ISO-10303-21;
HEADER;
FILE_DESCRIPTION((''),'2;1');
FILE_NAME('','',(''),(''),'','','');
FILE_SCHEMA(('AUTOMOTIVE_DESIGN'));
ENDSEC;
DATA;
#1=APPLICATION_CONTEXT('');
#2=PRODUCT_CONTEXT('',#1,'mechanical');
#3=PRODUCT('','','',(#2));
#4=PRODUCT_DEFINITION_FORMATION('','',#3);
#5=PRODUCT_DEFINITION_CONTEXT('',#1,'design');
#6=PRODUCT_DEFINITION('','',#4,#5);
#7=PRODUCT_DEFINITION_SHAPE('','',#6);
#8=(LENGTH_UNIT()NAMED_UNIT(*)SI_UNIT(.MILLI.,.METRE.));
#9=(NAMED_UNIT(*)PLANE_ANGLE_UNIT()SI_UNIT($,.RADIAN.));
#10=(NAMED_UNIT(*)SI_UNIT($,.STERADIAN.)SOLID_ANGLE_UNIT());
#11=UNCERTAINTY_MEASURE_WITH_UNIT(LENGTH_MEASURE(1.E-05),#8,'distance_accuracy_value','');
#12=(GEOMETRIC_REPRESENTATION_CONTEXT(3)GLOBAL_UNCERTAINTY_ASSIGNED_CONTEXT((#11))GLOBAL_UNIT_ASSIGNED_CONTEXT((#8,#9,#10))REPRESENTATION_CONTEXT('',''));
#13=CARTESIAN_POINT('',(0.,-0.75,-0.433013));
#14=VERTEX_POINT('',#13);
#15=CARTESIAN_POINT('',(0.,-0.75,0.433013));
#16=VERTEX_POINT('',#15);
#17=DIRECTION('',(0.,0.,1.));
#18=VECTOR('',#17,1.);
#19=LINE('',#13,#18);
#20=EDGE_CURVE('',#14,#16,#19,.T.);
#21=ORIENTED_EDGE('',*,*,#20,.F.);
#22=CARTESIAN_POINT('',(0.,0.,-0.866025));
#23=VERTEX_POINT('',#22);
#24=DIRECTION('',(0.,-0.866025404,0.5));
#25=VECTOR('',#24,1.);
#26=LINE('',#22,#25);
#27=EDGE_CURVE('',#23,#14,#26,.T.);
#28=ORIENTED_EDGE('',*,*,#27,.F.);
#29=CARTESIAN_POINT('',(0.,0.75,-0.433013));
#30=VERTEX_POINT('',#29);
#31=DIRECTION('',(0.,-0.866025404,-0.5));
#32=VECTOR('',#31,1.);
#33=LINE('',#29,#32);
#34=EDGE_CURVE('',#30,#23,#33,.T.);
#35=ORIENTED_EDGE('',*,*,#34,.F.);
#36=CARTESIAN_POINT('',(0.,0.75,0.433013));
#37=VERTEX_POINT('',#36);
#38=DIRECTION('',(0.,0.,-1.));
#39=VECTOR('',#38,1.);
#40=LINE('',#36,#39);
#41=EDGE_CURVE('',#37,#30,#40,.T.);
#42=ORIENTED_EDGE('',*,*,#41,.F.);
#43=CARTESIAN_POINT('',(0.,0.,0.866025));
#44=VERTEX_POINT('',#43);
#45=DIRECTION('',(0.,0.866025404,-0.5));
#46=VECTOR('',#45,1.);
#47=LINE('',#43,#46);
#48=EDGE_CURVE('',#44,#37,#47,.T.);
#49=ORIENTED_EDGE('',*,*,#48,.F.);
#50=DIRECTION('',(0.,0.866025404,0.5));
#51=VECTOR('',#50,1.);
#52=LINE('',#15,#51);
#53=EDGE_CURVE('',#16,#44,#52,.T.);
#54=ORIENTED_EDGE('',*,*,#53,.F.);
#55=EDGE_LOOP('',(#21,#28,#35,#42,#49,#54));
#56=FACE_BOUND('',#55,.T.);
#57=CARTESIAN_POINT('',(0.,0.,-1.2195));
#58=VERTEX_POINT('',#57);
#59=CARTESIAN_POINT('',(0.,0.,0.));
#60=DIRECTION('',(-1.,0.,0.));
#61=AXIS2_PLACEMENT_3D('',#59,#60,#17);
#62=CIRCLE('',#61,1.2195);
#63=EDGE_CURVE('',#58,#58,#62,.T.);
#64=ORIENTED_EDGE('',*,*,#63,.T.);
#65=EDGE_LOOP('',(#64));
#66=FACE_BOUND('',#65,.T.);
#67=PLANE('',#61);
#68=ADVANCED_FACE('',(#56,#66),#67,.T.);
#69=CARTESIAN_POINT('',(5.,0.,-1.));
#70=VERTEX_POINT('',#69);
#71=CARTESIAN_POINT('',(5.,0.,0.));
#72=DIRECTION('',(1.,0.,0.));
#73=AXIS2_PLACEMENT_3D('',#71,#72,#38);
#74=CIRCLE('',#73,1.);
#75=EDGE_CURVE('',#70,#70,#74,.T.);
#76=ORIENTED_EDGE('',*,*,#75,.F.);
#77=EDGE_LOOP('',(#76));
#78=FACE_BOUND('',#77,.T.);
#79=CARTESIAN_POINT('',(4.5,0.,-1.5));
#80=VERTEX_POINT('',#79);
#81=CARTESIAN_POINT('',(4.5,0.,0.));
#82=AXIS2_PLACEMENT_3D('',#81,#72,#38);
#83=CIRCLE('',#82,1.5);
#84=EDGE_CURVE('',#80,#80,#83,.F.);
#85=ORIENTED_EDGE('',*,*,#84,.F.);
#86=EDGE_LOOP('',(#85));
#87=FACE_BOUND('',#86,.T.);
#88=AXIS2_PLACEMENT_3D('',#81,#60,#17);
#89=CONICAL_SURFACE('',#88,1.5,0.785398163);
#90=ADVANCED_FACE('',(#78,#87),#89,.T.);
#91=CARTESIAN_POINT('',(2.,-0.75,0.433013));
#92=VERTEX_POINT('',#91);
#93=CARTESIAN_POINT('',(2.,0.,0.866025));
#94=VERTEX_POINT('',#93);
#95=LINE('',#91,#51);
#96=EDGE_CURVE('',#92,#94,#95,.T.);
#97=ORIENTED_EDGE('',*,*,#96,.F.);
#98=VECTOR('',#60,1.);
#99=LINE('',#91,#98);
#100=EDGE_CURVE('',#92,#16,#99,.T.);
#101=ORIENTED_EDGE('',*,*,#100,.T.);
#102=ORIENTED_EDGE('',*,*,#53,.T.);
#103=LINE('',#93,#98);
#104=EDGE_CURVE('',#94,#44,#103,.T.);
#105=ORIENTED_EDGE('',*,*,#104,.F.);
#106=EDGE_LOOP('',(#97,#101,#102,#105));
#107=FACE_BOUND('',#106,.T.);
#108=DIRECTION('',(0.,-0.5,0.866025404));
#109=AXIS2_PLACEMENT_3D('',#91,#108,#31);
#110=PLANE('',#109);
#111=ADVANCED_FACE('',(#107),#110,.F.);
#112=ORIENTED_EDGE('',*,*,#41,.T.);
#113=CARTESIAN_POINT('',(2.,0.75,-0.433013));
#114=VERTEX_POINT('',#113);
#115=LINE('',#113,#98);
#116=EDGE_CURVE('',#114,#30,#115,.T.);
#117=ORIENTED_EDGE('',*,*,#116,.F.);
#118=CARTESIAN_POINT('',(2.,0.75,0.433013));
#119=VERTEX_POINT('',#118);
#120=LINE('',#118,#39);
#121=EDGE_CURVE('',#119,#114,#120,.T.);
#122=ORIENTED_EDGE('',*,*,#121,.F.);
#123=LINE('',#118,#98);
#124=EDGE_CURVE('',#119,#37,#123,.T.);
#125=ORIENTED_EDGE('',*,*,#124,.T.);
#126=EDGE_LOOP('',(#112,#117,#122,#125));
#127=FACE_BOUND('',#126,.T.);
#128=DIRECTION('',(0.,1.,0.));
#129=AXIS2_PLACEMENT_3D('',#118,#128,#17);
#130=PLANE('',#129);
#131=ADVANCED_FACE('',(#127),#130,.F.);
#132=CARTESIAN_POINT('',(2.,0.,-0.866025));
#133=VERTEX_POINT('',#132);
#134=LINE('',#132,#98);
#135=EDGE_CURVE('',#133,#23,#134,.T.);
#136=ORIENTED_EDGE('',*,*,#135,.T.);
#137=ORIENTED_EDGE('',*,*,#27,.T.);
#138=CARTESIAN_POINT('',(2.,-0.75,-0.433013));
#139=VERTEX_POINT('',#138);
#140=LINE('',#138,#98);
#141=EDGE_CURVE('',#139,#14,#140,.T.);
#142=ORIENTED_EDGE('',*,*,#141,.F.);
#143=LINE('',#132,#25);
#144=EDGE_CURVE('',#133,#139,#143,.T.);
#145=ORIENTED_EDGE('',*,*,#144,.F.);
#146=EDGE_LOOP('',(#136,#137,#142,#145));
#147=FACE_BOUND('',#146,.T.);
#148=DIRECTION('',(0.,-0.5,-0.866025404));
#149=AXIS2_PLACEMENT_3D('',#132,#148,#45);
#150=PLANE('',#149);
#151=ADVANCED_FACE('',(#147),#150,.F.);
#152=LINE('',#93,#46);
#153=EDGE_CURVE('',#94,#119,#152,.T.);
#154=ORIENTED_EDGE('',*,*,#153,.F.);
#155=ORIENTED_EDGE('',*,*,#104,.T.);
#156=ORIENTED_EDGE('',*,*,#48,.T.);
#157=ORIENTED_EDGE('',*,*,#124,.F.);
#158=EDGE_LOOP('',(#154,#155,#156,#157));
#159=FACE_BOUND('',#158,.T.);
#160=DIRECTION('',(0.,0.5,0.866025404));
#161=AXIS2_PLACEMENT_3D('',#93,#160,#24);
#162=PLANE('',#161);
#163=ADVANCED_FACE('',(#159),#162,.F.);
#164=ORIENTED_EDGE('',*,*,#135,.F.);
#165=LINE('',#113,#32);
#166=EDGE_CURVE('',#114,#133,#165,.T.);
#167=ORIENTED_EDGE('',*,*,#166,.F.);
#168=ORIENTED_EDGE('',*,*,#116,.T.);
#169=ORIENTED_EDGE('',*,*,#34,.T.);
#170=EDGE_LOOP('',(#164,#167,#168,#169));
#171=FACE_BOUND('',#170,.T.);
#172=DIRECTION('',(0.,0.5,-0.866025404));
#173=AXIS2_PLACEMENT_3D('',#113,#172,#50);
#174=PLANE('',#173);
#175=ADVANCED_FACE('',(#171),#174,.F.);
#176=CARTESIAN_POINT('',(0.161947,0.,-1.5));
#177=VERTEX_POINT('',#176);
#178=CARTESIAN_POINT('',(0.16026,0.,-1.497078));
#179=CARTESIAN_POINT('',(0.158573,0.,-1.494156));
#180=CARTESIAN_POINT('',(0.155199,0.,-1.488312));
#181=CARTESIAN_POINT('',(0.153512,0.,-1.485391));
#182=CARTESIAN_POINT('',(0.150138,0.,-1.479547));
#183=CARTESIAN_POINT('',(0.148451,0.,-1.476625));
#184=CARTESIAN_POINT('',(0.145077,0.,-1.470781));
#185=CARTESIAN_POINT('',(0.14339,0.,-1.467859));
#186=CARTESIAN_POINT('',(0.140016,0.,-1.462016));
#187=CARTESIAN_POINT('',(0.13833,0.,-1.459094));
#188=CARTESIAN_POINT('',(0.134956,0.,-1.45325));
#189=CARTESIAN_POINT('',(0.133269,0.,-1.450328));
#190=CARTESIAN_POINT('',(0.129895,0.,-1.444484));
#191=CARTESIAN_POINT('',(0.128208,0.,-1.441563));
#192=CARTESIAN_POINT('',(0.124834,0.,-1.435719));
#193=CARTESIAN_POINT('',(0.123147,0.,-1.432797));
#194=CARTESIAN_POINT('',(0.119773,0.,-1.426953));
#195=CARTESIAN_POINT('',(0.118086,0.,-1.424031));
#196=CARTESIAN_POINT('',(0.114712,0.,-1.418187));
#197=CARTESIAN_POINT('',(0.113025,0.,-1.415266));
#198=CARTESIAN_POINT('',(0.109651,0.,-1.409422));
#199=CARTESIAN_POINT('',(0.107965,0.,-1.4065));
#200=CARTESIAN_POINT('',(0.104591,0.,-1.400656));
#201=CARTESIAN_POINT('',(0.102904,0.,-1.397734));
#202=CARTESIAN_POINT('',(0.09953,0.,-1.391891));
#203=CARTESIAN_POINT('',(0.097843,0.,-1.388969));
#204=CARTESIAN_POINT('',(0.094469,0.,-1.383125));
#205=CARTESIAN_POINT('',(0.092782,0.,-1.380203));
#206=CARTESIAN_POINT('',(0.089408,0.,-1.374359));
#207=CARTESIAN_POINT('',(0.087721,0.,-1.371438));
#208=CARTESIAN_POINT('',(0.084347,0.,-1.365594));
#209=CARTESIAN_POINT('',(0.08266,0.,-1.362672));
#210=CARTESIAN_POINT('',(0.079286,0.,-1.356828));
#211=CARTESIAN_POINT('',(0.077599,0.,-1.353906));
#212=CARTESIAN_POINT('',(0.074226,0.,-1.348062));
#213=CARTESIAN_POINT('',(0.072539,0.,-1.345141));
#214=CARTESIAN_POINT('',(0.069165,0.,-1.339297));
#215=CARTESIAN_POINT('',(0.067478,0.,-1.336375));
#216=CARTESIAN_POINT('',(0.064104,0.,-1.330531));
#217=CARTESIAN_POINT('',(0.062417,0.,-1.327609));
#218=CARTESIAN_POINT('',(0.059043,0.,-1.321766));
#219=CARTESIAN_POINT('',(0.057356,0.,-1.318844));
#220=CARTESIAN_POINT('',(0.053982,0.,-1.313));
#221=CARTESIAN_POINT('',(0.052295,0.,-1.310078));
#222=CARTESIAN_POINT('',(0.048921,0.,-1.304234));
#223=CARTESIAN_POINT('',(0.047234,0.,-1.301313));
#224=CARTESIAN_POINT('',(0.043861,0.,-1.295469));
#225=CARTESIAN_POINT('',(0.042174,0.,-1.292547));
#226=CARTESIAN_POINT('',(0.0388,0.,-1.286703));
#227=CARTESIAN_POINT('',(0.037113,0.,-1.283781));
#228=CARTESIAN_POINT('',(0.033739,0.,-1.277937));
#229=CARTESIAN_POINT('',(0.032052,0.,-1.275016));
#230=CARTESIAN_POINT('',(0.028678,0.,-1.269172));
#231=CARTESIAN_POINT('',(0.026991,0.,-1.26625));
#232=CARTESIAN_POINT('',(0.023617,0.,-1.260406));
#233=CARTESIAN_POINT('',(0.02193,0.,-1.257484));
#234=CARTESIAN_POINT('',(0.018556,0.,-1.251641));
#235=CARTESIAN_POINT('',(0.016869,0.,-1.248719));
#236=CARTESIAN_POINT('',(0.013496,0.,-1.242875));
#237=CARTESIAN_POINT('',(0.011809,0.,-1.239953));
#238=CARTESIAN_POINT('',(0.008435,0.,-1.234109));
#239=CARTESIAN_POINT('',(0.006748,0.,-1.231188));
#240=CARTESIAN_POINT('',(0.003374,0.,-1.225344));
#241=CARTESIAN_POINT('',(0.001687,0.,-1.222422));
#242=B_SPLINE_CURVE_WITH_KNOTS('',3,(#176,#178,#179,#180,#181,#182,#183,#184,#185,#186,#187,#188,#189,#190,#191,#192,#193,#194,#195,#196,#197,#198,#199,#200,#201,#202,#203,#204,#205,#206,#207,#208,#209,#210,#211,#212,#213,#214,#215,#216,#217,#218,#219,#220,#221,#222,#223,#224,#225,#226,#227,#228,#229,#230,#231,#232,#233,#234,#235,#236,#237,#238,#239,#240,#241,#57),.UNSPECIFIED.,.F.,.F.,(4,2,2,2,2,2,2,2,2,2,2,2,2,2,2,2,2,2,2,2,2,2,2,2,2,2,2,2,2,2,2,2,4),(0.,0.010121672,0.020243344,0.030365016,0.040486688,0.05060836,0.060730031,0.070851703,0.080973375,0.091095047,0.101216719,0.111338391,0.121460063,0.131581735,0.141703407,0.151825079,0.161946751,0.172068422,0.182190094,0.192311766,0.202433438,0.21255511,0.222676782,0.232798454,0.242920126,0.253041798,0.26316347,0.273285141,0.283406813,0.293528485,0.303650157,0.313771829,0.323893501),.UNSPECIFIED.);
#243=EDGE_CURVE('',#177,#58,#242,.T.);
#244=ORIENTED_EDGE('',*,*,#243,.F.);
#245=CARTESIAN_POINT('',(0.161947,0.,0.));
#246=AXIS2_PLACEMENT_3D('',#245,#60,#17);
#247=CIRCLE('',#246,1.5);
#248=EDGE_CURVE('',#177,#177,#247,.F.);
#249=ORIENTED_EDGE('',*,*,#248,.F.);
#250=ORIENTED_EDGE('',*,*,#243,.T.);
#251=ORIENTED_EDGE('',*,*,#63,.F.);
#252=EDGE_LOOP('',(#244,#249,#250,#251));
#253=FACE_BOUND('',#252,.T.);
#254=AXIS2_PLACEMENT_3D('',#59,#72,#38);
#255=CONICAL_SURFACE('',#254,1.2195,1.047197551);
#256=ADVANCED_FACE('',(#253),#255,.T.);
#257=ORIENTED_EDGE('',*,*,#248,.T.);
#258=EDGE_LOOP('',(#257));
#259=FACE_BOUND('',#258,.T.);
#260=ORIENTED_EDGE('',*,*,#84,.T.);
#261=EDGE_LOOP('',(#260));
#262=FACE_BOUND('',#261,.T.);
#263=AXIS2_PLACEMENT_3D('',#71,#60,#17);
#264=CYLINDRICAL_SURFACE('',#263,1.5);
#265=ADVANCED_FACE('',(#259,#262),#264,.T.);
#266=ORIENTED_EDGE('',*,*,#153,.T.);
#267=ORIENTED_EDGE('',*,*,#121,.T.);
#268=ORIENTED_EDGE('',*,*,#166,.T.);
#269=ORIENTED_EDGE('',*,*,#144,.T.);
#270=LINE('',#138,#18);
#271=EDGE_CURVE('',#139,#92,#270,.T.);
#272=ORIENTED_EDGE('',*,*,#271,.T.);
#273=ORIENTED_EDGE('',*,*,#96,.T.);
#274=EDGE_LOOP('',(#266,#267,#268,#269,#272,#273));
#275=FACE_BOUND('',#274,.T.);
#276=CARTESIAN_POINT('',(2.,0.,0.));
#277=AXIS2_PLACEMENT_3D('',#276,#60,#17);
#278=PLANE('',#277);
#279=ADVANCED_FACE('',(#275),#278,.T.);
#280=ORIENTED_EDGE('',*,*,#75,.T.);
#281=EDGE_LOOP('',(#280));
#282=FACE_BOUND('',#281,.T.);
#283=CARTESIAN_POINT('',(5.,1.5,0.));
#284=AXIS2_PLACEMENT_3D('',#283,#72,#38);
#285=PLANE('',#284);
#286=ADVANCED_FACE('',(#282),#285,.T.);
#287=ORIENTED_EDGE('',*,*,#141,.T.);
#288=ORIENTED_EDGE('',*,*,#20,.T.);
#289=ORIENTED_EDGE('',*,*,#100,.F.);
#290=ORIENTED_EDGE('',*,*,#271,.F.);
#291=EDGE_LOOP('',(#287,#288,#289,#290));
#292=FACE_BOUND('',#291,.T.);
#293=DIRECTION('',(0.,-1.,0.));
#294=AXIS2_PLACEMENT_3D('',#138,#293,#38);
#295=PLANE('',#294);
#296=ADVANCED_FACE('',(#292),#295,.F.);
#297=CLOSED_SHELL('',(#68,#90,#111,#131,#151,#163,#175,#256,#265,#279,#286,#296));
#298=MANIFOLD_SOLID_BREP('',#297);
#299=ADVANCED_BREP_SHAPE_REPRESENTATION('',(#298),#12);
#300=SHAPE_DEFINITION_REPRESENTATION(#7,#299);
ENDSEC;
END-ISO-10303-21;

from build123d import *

# Parameters (mm, degrees)
ESQUISSE1_W             = 5
ESQUISSE1_H             = 1.5
ENL_V_MAT_EXTRU_1_DEPTH = 2
CHANFREIN1_SIZE         = 0.5
CHANFREIN2_SIZE         = 0.2805
CHANFREIN2_SIZE2        = 0.161946751


with BuildPart() as part:
    # Esquisse1 → Révolution1 (revolve)
    with BuildSketch(Plane(origin=(0, 0, 0), x_dir=(-1, 0, 0), z_dir=(0, 0, -1)), mode=Mode.PRIVATE) as r_volution1_sk:
        with Locations((-2.5, 0.75)):
            Rectangle(ESQUISSE1_W, ESQUISSE1_H)
    revolve(r_volution1_sk.sketch.rotate(Axis((5, 0, 0), (-1, 0, 0)), 270), axis=Axis((5, 0, 0), (-1, 0, 0)))

    # Esquisse2 → Enlèv. mat.-Extru.1 (cut)
    with BuildSketch(Plane.ZY):
        Polygon((0.433012702, -0.75), (0.866025404, 0), (0.433012702, 0.75), (-0.433012702, 0.75), (-0.866025404, 0), (-0.433012702, -0.75), align=None)
    extrude(amount=-ENL_V_MAT_EXTRU_1_DEPTH, mode=Mode.SUBTRACT)

    # Chanfrein1
    chanfrein1_edges = [part.edges().sort_by_distance(p)[0] for p in [
        (5, 0, -1.5),
    ]]
    chamfer(chanfrein1_edges, length=CHANFREIN1_SIZE)

    # Chanfrein2
    chanfrein2_edges = [part.edges().sort_by_distance(p)[0] for p in [
        (0, 0, -1.5),
    ]]
    chanfrein2_side = [part.faces().sort_by_distance(p)[0] for p in [
        (0, 0, -1.457573593),
    ]]
    chamfer(chanfrein2_edges, length=CHANFREIN2_SIZE, length2=CHANFREIN2_SIZE2, reference=chanfrein2_side[0])


solid = part.part
